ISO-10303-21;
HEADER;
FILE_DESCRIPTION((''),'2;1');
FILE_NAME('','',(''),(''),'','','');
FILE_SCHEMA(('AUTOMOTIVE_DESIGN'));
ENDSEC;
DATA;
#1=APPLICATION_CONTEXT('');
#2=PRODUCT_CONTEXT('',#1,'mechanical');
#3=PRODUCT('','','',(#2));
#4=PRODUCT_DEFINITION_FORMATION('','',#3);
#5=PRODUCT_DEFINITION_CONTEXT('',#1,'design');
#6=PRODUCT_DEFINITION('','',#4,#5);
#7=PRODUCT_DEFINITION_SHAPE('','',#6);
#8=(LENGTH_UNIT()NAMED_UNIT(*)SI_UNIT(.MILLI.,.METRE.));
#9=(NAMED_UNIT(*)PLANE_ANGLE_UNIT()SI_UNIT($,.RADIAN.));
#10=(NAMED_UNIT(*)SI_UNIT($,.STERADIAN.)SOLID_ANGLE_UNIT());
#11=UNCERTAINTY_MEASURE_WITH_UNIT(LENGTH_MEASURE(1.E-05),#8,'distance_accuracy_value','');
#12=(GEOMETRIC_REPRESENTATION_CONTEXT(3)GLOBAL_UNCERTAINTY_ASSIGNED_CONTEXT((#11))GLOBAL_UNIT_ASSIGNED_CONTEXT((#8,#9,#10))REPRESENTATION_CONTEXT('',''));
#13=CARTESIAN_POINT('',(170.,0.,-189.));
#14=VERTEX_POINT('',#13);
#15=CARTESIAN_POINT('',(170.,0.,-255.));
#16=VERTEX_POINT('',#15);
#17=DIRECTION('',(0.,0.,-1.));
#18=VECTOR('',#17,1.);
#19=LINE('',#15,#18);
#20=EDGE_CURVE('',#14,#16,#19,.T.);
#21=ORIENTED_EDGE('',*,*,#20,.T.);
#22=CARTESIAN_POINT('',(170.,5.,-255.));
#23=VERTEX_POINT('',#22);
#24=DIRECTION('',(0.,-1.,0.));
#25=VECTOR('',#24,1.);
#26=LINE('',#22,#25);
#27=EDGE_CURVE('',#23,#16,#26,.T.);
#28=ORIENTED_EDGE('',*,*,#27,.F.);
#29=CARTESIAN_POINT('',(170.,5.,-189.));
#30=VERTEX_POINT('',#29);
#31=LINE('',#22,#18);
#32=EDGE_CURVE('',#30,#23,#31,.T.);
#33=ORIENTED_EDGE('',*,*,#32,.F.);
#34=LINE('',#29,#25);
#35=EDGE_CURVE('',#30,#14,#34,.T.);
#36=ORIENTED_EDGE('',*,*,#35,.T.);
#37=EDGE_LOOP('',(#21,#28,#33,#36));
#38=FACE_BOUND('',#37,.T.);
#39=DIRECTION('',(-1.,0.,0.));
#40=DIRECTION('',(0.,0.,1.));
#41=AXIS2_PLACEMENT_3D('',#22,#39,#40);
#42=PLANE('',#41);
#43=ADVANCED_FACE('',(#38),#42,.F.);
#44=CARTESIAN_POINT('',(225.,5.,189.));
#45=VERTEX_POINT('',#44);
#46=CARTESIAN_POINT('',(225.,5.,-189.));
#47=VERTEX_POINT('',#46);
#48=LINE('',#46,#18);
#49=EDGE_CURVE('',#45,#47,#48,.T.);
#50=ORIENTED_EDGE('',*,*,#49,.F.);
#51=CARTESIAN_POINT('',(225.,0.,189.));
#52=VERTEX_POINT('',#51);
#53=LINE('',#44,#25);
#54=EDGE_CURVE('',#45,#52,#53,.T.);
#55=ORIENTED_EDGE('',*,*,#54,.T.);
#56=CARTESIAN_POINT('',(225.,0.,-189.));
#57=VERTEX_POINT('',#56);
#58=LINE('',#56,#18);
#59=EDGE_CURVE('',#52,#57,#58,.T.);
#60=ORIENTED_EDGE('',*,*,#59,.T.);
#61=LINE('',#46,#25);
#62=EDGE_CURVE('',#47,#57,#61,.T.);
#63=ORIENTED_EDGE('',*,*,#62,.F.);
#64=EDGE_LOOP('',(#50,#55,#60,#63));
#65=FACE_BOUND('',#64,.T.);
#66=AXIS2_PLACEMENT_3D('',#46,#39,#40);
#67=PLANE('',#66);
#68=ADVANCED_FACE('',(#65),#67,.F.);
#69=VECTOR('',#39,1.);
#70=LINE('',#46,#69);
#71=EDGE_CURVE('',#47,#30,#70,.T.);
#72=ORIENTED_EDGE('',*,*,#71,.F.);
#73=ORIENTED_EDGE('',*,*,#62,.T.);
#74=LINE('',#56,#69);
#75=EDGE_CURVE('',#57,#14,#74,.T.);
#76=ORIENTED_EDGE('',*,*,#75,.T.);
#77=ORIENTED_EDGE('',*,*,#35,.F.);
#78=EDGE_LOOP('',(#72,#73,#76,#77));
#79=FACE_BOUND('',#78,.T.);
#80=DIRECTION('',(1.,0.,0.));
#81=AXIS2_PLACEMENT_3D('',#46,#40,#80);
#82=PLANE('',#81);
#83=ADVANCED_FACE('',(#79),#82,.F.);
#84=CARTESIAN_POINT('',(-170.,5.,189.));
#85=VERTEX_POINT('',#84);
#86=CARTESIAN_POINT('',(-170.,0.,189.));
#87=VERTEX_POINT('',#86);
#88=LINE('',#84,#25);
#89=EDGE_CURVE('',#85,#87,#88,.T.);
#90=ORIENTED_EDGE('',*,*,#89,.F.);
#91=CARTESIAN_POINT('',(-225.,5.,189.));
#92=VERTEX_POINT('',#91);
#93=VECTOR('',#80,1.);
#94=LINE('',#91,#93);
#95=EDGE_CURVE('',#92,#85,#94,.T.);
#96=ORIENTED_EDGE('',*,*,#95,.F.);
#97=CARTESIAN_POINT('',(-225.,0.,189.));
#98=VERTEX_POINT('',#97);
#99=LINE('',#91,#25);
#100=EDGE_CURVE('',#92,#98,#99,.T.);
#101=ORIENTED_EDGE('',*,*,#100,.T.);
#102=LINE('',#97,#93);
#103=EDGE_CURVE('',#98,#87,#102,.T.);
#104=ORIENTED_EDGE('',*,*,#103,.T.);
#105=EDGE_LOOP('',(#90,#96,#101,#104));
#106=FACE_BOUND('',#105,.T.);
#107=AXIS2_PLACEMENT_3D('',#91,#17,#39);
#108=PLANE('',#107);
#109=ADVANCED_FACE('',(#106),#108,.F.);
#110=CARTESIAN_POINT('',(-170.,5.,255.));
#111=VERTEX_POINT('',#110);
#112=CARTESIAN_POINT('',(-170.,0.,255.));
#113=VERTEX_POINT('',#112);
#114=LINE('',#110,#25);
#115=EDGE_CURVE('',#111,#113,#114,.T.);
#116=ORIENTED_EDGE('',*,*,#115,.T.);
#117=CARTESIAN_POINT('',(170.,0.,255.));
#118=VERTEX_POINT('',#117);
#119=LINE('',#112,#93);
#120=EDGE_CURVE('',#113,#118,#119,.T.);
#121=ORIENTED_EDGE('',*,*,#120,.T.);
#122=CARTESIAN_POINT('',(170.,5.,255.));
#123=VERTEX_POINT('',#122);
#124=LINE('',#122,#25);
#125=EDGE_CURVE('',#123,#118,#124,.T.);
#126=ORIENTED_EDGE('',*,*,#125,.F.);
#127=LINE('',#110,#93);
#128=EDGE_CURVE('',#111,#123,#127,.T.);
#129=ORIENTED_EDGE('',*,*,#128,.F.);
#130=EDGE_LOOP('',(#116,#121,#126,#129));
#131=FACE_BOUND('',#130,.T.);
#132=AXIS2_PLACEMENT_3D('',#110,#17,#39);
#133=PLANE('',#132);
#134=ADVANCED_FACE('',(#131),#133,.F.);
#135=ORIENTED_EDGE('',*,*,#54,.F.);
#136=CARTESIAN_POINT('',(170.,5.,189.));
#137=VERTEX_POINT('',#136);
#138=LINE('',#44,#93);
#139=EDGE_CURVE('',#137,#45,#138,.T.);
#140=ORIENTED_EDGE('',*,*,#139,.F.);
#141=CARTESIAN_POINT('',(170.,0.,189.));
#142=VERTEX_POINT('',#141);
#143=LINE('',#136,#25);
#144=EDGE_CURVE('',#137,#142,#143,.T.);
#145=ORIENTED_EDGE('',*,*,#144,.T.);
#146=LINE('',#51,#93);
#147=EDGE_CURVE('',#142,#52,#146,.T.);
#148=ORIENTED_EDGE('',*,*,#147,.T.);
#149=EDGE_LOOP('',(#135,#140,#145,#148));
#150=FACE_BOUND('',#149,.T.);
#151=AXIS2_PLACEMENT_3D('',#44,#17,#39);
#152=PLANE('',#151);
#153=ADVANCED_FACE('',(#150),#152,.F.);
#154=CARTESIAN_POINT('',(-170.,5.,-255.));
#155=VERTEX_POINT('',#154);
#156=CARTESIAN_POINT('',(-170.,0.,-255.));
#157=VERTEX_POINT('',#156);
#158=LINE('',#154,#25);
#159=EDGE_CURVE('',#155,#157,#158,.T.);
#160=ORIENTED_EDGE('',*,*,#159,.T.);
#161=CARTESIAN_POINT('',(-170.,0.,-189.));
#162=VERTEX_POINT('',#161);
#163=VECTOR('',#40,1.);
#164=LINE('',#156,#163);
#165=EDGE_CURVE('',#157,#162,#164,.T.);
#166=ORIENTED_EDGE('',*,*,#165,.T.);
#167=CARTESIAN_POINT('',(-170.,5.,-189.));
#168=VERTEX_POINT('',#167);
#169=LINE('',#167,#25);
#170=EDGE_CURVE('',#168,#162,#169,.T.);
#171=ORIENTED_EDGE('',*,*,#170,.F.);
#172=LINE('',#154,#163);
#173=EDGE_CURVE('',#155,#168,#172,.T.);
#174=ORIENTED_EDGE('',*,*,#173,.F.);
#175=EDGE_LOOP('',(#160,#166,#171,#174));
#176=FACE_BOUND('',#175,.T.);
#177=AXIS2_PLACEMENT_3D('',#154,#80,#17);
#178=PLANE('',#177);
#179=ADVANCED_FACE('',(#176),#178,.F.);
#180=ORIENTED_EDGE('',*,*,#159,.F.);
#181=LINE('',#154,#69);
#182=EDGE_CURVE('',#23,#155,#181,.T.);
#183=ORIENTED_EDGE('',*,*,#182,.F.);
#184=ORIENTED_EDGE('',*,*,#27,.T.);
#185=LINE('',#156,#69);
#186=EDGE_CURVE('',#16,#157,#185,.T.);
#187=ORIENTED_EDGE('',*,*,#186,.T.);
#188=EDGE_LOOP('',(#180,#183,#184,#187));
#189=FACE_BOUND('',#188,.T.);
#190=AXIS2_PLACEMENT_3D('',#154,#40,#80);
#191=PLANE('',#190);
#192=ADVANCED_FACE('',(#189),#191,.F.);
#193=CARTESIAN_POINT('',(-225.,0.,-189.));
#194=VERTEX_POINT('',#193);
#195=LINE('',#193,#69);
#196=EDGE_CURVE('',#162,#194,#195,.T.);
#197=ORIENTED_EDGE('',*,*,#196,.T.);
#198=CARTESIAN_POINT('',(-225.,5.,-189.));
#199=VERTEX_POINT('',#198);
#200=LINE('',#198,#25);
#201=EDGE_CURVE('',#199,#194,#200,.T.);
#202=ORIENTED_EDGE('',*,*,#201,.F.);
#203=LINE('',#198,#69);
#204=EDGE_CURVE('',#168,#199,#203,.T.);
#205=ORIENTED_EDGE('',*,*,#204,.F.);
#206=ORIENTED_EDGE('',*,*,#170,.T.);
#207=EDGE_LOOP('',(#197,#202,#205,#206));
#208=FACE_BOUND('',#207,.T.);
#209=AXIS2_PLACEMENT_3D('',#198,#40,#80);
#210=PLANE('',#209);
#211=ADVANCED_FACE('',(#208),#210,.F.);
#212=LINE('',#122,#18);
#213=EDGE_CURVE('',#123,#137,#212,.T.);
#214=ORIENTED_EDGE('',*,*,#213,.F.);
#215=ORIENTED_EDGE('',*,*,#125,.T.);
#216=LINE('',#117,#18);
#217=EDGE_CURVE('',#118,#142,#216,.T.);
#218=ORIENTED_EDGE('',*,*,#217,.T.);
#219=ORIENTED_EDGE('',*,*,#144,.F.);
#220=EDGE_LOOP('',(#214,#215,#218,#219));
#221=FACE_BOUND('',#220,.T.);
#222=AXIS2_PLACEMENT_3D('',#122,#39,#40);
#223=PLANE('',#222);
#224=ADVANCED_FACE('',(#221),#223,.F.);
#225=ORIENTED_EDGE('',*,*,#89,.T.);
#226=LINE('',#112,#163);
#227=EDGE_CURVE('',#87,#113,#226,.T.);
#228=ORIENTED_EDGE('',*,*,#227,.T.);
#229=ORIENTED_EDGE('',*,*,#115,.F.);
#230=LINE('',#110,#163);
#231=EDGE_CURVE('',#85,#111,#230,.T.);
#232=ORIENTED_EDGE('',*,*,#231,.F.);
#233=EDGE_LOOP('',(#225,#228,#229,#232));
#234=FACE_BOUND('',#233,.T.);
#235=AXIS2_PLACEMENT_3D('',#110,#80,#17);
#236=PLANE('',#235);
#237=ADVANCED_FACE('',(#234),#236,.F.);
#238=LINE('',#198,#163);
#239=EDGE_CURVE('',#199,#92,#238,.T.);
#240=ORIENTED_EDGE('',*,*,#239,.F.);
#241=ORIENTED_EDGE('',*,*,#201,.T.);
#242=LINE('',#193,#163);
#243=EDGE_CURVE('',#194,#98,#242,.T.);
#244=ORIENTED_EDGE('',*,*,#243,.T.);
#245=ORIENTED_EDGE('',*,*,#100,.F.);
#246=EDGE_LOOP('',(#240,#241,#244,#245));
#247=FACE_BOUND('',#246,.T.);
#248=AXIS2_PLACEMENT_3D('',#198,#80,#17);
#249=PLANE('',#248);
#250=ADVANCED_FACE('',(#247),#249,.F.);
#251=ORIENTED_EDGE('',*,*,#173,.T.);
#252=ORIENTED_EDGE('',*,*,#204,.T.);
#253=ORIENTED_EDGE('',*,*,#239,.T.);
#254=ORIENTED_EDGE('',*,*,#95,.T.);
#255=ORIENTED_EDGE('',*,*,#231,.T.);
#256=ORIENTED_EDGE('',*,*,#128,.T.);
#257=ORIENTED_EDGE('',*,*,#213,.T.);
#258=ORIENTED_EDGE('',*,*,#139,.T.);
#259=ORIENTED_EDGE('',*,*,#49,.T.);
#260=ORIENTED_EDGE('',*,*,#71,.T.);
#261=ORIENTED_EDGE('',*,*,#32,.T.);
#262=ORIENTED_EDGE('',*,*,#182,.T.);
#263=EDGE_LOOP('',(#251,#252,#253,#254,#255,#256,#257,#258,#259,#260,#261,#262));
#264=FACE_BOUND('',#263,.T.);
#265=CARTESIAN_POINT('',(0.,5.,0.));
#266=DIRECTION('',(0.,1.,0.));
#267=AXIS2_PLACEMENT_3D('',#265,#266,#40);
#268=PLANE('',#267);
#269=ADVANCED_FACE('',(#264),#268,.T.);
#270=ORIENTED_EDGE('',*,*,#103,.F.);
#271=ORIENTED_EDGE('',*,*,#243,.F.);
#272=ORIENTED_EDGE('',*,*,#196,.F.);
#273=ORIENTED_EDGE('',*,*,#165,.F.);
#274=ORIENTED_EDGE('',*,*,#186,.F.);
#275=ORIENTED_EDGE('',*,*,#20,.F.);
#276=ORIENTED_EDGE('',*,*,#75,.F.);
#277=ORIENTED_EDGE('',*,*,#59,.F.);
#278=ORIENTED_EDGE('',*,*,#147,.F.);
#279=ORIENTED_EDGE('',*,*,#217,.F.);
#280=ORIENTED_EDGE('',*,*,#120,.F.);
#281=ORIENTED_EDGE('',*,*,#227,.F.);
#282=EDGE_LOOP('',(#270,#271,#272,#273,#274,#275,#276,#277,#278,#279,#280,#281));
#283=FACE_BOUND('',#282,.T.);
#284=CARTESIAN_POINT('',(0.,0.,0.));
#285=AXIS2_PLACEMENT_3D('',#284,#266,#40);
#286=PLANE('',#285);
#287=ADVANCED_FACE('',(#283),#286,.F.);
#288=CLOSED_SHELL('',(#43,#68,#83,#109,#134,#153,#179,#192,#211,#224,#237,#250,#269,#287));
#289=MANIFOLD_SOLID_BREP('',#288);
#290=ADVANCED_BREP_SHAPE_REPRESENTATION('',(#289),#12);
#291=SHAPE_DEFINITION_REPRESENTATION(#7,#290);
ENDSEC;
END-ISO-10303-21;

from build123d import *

# Parameters (mm, degrees)
BOSS_EXTRUDE1_DEPTH = 5


with BuildPart() as part:
    # Sketch1 → Boss-Extrude1 (new body)
    with BuildSketch(Plane(origin=(0, 0, 0), x_dir=(1, 0, 0), z_dir=(0, 1, 0))):
        Polygon((-170, 255), (170, 255), (170, 189), (225, 189), (225, -189), (170, -189), (170, -255), (-170, -255), (-170, -189), (-225, -189), (-225, 189), (-170, 189), align=None)
    extrude(amount=BOSS_EXTRUDE1_DEPTH)


solid = part.part
